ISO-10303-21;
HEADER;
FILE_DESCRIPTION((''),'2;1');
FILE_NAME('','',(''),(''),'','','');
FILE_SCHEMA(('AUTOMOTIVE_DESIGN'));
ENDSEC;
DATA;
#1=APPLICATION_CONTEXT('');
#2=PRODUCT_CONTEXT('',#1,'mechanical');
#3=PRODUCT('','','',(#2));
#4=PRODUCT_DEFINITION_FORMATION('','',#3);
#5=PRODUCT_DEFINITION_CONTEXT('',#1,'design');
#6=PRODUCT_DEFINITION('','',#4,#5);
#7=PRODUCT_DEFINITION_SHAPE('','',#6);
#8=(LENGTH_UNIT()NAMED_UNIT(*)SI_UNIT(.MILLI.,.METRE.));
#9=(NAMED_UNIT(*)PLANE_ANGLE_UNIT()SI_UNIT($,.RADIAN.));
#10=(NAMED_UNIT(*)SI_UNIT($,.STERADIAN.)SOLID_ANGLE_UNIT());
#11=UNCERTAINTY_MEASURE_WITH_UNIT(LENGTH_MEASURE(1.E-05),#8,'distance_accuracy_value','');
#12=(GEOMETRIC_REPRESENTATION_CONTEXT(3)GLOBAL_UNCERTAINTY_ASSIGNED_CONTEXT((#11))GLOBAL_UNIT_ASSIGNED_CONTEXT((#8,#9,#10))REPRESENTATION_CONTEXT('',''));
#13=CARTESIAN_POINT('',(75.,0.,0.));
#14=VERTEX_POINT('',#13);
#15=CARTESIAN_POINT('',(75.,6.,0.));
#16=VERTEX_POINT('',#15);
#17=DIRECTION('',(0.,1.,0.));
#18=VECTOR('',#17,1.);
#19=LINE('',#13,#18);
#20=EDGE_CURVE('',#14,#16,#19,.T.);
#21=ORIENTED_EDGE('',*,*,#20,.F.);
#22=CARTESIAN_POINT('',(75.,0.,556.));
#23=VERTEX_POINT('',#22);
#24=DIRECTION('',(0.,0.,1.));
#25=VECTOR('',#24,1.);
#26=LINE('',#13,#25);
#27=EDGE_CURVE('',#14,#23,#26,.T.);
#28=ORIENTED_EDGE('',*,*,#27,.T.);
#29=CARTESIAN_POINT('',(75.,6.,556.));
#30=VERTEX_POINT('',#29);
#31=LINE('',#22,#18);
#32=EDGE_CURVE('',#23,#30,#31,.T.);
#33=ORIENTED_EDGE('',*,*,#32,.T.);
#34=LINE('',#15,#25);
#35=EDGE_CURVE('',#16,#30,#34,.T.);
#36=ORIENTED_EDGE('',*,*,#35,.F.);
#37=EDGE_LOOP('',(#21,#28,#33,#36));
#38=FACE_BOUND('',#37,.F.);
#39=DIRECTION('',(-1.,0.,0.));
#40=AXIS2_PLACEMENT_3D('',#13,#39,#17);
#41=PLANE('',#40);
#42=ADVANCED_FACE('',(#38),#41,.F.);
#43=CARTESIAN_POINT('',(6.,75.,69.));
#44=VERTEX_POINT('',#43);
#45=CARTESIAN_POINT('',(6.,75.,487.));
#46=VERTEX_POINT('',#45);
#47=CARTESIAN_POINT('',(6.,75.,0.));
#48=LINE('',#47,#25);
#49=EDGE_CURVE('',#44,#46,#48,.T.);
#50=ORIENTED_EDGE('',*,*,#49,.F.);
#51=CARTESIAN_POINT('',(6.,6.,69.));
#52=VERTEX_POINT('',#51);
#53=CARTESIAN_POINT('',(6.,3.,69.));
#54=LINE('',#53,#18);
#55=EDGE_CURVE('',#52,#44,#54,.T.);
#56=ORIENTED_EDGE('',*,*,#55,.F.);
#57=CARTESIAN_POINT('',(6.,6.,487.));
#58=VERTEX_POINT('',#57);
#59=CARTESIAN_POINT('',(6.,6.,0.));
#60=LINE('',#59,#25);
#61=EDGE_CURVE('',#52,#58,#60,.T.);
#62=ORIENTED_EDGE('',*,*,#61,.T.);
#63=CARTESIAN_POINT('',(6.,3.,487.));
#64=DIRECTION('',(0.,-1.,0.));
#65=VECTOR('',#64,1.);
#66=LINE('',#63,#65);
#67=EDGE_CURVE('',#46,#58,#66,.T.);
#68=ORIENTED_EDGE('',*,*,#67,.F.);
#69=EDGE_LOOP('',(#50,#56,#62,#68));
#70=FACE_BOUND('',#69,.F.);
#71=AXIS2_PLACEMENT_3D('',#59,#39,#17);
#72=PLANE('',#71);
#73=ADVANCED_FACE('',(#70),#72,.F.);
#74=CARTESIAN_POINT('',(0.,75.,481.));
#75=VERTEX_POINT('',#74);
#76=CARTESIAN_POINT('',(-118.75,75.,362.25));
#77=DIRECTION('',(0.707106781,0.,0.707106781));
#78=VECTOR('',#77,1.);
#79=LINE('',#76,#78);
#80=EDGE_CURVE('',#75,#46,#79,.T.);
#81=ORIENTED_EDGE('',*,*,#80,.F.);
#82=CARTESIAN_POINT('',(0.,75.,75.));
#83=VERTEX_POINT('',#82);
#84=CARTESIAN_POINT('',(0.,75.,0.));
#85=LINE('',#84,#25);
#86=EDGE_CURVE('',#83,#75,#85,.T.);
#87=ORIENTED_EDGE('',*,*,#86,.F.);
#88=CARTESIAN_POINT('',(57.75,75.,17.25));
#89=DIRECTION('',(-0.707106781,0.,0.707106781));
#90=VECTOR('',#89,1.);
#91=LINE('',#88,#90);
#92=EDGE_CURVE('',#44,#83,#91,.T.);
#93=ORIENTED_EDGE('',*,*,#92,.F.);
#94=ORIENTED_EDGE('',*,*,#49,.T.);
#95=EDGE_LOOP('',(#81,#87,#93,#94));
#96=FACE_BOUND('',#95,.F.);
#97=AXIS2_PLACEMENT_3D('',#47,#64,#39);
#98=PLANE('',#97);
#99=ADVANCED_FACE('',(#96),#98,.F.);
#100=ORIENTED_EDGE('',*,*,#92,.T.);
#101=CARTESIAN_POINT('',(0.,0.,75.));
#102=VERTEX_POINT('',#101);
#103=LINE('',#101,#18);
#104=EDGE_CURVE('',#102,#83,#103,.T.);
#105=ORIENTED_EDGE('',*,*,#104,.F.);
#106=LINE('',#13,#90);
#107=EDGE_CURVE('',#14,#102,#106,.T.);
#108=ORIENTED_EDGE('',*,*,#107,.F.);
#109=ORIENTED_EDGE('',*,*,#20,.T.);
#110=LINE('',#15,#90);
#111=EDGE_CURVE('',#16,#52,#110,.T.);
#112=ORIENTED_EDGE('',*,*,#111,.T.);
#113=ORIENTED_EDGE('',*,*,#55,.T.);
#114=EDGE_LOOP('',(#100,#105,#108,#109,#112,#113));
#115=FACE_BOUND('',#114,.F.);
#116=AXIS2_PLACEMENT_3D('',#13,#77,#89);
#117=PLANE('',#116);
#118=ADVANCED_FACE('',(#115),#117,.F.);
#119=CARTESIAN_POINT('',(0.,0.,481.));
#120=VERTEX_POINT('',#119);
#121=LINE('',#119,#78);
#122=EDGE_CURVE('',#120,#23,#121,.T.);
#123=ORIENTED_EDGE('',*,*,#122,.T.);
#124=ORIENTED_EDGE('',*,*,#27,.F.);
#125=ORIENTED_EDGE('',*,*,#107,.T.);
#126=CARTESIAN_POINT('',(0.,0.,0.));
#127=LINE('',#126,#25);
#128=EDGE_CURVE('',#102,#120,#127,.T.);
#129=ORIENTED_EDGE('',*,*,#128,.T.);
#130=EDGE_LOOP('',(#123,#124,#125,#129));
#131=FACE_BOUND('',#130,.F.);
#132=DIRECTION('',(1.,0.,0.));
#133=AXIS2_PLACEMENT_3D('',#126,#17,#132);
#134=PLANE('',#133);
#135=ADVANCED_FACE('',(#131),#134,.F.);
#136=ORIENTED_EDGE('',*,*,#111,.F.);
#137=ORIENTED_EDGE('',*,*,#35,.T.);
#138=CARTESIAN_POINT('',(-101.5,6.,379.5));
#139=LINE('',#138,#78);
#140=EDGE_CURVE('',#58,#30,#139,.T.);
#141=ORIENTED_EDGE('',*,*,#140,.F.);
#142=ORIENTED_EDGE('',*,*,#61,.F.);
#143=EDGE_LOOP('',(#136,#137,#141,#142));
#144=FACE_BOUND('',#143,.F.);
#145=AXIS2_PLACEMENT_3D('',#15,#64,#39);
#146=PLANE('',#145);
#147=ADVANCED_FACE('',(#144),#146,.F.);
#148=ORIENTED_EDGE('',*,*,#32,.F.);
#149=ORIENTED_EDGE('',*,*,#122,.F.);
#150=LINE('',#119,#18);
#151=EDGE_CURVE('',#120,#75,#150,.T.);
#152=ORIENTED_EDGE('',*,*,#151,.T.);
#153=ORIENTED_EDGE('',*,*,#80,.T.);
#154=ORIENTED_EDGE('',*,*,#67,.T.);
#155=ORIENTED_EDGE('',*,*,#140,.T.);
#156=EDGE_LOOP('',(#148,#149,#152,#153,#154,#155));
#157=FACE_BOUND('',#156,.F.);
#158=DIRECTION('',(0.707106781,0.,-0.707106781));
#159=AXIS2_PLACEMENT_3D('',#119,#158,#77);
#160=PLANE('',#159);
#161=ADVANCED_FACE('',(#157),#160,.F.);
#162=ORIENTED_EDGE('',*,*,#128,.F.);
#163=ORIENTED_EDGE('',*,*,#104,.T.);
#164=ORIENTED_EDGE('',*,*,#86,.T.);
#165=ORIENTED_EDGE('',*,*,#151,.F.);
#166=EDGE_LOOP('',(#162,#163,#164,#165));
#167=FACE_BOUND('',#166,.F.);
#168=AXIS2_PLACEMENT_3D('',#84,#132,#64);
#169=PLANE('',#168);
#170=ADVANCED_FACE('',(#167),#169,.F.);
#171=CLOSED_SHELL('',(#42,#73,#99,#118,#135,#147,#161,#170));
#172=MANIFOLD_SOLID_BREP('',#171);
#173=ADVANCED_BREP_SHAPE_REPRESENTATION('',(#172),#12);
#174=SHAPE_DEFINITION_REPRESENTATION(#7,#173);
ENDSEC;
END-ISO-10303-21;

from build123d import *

# Parameters (mm, degrees)
F1_DEPTH = 556
F3_DEPTH = 75.001
F5_DEPTH = 75.001


with BuildPart() as f1:
    # F0 (on Top) → F1 (new body)
    with BuildSketch(Plane.XY):
        Polygon((0, 75), (0, 0), (75, 0), (75, 6), (6, 6), (6, 75), align=None)
    extrude(amount=F1_DEPTH)

    # F2 (on Front) → F3 (cut, through all)
    with BuildSketch(Plane.XZ):
        Polygon((0, 75), (0, 0), (75, 0), align=None)
    extrude(amount=-F3_DEPTH, mode=Mode.SUBTRACT)

    # F4 (on Front) → F5 (cut, through all)
    with BuildSketch(Plane.XZ):
        Polygon((0, 481), (75, 556), (0, 556), align=None)
    extrude(amount=-F5_DEPTH, mode=Mode.SUBTRACT)


solid = f1.part
